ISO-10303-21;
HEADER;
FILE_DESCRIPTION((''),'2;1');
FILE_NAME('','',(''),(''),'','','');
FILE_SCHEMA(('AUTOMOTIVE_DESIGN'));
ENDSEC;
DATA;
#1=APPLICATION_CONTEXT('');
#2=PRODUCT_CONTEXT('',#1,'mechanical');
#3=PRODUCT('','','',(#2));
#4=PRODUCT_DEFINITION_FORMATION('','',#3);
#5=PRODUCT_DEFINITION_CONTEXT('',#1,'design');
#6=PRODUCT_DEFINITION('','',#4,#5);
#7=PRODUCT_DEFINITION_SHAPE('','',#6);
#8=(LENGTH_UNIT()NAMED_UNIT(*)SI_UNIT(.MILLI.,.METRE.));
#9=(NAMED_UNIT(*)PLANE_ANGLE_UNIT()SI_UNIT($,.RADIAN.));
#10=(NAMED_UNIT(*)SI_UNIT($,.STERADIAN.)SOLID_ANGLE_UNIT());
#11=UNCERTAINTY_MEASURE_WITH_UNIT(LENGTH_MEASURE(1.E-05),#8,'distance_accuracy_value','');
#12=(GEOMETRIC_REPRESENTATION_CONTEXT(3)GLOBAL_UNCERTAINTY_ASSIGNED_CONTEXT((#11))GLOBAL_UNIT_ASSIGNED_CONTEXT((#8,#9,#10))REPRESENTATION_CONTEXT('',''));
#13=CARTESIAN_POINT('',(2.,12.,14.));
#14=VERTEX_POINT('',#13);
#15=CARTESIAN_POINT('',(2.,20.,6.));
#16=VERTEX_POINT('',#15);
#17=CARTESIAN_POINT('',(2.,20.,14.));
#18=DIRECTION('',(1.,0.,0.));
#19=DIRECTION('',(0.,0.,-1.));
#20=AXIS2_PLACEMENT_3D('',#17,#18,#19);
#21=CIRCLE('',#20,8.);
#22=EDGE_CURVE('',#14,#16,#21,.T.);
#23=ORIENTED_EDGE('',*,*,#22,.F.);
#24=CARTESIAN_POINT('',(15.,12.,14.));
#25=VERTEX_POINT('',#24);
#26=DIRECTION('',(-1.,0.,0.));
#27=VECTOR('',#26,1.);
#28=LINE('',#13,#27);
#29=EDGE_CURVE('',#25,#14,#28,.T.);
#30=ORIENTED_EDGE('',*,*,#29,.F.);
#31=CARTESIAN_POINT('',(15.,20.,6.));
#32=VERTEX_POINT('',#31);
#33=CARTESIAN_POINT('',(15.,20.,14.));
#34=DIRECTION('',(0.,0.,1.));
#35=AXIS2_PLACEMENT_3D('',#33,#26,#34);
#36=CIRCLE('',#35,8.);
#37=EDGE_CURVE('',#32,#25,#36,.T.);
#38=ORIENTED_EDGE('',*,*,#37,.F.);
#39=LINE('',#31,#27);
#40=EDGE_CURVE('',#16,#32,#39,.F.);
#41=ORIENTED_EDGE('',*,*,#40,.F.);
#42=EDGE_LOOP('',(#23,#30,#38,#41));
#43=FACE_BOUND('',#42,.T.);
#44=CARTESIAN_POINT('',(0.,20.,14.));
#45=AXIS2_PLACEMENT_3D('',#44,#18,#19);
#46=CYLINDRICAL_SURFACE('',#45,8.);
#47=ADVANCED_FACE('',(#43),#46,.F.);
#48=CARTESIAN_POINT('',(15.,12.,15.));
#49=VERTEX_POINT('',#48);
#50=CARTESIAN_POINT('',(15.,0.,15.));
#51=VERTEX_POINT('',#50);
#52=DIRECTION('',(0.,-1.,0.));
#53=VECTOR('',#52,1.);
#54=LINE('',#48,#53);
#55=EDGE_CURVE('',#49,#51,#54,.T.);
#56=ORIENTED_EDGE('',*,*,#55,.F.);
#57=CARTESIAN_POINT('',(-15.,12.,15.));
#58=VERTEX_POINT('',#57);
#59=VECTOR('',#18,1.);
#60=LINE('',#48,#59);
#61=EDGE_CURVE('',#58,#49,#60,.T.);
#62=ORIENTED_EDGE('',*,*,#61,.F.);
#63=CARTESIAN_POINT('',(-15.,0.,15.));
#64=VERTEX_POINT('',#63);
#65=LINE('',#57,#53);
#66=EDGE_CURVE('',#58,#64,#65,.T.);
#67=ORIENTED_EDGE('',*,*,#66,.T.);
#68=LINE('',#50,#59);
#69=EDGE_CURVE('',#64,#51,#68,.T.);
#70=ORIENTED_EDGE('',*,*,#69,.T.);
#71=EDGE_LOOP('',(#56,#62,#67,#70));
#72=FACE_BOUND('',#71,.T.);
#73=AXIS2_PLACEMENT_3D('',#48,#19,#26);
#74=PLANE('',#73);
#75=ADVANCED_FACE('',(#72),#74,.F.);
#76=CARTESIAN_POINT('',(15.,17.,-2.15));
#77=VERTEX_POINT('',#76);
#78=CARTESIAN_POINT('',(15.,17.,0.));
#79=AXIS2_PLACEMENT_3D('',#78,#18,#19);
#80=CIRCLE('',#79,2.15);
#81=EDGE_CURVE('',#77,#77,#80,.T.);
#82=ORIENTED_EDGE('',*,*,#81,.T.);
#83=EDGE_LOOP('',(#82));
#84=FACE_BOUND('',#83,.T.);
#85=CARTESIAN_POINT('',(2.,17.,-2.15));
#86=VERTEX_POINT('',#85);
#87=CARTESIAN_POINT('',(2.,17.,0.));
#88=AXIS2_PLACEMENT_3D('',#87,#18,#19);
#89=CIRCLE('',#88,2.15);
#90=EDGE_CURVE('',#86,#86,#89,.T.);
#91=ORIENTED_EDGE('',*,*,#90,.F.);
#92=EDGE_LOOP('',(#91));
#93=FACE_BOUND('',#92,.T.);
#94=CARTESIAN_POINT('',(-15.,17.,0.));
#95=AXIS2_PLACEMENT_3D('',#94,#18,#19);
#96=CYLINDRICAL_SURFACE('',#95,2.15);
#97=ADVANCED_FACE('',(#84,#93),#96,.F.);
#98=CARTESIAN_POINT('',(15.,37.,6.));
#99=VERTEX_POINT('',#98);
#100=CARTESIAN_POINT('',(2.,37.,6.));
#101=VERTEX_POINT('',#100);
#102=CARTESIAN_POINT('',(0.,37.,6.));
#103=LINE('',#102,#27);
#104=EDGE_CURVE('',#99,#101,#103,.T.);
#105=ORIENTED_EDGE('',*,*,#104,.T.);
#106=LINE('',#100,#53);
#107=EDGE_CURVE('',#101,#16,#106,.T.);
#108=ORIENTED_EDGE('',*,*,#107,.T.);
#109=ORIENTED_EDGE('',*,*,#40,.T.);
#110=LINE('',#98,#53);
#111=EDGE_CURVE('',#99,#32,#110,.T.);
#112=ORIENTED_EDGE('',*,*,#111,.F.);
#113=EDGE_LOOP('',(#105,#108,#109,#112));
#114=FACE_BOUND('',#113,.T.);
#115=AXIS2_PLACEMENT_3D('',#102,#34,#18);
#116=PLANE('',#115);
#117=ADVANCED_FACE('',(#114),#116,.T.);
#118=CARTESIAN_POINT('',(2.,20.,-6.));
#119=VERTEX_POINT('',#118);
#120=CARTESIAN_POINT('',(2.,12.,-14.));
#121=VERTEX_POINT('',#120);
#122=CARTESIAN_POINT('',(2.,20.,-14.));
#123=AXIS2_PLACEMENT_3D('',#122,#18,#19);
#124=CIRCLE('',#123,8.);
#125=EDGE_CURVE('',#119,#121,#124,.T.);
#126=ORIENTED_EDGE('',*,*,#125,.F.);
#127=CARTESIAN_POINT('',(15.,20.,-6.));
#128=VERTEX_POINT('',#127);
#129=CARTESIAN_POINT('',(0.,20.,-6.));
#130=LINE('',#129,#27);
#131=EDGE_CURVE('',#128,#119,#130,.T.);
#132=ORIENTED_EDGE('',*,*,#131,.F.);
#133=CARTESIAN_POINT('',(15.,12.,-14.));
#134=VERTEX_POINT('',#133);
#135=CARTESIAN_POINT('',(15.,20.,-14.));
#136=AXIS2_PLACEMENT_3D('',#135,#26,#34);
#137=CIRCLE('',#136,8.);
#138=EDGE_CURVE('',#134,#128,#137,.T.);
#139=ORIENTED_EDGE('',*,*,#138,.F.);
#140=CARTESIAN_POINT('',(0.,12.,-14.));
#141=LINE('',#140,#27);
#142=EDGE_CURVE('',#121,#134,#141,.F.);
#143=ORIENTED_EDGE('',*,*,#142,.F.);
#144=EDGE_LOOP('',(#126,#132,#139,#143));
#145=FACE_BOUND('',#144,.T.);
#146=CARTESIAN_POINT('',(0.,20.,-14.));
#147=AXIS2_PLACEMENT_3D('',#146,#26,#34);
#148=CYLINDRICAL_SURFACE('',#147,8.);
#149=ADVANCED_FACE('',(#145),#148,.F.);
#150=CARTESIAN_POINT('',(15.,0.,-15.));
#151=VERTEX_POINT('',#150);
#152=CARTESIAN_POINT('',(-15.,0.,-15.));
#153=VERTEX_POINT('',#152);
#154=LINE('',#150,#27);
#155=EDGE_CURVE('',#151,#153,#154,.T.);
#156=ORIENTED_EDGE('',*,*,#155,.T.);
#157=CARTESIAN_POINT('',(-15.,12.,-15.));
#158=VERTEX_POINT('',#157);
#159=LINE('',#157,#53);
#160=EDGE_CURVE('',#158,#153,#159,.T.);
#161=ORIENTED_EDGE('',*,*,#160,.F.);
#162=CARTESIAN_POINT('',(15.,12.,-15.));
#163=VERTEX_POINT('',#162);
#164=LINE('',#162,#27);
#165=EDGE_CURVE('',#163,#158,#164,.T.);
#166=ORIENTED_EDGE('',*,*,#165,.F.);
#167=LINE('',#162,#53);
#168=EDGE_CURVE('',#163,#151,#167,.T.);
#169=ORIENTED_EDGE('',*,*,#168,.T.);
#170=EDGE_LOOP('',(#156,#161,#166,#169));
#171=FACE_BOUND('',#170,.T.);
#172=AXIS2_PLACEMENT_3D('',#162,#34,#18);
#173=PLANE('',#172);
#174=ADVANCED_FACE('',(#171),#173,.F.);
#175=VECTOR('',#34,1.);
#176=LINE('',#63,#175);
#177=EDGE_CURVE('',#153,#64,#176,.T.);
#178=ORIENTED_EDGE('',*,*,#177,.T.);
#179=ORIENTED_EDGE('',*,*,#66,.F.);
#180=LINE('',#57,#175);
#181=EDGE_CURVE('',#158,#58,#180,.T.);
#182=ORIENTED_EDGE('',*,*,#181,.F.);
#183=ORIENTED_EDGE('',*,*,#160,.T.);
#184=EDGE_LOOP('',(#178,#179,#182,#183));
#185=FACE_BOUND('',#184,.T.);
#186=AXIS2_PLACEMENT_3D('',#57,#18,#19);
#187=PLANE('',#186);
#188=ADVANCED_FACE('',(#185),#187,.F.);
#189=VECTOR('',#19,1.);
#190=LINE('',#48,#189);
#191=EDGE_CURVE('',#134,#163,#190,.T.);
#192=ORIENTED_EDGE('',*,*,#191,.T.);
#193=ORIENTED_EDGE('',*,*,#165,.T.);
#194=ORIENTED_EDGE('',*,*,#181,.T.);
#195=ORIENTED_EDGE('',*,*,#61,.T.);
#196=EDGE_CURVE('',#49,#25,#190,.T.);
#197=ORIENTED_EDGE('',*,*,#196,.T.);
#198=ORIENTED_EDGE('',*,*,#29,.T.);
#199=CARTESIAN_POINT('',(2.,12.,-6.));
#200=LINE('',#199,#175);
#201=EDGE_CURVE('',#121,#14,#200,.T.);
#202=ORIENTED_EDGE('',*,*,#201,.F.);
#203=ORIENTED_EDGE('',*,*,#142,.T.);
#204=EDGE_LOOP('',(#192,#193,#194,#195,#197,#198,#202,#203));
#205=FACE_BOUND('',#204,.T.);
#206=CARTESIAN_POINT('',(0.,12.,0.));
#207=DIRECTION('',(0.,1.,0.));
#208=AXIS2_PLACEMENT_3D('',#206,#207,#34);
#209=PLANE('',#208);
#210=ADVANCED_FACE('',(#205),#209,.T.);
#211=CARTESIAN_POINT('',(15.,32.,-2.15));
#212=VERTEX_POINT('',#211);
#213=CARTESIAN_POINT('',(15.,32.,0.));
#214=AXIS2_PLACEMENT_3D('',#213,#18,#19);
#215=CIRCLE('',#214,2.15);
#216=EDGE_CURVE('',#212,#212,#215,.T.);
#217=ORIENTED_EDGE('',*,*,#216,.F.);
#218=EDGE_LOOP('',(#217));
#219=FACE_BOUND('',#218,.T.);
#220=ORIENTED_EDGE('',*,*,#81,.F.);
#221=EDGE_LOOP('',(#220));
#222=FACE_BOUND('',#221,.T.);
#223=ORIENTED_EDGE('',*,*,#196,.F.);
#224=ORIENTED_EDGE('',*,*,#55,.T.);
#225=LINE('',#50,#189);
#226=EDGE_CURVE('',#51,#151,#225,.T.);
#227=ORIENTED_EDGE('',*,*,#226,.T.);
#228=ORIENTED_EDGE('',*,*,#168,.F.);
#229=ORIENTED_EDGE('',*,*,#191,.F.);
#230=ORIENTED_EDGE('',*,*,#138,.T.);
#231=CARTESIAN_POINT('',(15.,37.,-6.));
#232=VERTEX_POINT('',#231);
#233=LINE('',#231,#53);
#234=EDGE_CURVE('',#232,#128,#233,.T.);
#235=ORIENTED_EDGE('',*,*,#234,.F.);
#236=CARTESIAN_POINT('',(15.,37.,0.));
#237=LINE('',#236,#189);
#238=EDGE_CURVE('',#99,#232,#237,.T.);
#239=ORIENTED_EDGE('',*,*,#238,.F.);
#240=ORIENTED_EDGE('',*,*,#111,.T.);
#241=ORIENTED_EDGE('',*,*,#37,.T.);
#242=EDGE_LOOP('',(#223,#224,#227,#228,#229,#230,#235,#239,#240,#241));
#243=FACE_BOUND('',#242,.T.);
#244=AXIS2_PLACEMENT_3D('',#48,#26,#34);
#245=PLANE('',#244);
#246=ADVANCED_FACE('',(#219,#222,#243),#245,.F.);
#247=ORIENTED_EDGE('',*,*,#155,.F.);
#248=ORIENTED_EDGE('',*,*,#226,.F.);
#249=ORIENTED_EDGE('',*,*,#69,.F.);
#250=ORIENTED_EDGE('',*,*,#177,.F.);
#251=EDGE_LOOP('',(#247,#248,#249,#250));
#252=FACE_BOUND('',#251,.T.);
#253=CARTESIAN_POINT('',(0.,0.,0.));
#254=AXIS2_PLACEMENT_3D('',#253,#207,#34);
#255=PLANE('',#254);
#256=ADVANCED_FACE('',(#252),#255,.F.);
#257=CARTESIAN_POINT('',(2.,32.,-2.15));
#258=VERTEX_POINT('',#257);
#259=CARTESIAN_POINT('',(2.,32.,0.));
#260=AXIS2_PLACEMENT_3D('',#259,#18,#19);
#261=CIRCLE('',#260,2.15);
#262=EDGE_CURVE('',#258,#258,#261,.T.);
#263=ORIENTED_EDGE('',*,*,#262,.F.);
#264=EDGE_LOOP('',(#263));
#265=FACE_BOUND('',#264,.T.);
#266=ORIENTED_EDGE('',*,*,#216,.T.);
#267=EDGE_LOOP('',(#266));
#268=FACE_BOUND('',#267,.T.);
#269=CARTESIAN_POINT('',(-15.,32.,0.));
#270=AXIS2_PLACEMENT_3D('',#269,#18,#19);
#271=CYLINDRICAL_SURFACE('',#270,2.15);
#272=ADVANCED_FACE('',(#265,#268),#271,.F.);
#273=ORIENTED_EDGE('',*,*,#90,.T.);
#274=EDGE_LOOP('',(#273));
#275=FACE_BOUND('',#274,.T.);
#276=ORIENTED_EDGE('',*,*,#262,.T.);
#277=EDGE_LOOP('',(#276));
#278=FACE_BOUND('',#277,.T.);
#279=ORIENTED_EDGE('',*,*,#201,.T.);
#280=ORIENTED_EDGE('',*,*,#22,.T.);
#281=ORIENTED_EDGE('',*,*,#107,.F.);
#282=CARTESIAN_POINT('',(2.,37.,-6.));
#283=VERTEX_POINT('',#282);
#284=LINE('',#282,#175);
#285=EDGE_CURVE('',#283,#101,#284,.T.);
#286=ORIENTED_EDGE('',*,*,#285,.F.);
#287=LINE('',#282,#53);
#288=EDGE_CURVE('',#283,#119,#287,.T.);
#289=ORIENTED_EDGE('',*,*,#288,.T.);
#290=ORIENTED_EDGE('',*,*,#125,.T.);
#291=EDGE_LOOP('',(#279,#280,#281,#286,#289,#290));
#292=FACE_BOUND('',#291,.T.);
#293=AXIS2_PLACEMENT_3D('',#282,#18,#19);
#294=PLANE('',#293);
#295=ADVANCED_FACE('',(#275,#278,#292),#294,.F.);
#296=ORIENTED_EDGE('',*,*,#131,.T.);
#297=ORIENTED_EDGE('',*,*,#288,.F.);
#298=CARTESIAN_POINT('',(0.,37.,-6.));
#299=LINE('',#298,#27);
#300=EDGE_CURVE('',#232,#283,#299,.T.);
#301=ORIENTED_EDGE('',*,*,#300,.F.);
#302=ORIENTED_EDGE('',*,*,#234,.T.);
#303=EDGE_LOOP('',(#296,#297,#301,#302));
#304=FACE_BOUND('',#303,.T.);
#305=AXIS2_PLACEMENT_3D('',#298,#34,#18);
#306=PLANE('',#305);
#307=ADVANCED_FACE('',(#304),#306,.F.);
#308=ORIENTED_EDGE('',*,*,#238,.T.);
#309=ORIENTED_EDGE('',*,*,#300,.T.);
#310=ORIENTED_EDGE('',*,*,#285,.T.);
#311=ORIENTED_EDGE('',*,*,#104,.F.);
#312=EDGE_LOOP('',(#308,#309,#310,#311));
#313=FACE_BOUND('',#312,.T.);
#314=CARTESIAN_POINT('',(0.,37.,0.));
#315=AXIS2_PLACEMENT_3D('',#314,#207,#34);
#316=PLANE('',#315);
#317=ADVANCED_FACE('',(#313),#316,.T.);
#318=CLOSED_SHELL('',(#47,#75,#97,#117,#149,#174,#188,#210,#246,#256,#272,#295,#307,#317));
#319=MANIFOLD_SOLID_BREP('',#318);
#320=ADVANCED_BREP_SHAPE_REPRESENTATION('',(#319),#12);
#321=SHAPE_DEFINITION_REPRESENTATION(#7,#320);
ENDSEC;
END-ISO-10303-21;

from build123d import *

# Parameters (mm, degrees)
SKETCH1_W           = 30
SKETCH1_H           = 30
BOSS_EXTRUDE1_DEPTH = 12
SKETCH2_W           = 5
SKETCH2_H           = 12
SKETCH2_W_2         = 8
BOSS_EXTRUDE2_DEPTH = 25
FILLET1_R           = 8
SKETCH3_R           = 2.15
CUT_EXTRUDE1_DEPTH  = 50.939963957


with BuildPart() as part:
    # Sketch1 → Boss-Extrude1 (new body)
    with BuildSketch(Plane(origin=(0, 0, 0), x_dir=(1, 0, 0), z_dir=(0, 1, 0))):
        Rectangle(SKETCH1_W, SKETCH1_H)
    extrude(amount=BOSS_EXTRUDE1_DEPTH)

    # Sketch2 → Boss-Extrude2 (add)
    with BuildSketch(Plane(origin=(0, 12, 0), x_dir=(1, 0, 0), z_dir=(0, 1, 0))):
        with Locations((12.5, 0)):
            Rectangle(SKETCH2_W, SKETCH2_H)
        with Locations((6, 0)):
            Rectangle(SKETCH2_W_2, SKETCH2_H)
    extrude(amount=BOSS_EXTRUDE2_DEPTH)

    # Fillet1
    fillet1_edges = [part.edges().sort_by_distance(p)[0] for p in [
        (8.5, 12, -6),
        (8.5, 12, 6),
    ]]
    fillet(fillet1_edges, radius=FILLET1_R)

    # Sketch3 → Cut-Extrude1 (cut, through all)
    with BuildSketch(Plane(origin=(15, 0, 0), x_dir=(0, 0, -1), z_dir=(1, 0, 0))):
        with Locations((0, 17)):
            Circle(SKETCH3_R)
        with Locations((0, 32)):
            Circle(SKETCH3_R)
    extrude(amount=-CUT_EXTRUDE1_DEPTH, mode=Mode.SUBTRACT)


solid = part.part
